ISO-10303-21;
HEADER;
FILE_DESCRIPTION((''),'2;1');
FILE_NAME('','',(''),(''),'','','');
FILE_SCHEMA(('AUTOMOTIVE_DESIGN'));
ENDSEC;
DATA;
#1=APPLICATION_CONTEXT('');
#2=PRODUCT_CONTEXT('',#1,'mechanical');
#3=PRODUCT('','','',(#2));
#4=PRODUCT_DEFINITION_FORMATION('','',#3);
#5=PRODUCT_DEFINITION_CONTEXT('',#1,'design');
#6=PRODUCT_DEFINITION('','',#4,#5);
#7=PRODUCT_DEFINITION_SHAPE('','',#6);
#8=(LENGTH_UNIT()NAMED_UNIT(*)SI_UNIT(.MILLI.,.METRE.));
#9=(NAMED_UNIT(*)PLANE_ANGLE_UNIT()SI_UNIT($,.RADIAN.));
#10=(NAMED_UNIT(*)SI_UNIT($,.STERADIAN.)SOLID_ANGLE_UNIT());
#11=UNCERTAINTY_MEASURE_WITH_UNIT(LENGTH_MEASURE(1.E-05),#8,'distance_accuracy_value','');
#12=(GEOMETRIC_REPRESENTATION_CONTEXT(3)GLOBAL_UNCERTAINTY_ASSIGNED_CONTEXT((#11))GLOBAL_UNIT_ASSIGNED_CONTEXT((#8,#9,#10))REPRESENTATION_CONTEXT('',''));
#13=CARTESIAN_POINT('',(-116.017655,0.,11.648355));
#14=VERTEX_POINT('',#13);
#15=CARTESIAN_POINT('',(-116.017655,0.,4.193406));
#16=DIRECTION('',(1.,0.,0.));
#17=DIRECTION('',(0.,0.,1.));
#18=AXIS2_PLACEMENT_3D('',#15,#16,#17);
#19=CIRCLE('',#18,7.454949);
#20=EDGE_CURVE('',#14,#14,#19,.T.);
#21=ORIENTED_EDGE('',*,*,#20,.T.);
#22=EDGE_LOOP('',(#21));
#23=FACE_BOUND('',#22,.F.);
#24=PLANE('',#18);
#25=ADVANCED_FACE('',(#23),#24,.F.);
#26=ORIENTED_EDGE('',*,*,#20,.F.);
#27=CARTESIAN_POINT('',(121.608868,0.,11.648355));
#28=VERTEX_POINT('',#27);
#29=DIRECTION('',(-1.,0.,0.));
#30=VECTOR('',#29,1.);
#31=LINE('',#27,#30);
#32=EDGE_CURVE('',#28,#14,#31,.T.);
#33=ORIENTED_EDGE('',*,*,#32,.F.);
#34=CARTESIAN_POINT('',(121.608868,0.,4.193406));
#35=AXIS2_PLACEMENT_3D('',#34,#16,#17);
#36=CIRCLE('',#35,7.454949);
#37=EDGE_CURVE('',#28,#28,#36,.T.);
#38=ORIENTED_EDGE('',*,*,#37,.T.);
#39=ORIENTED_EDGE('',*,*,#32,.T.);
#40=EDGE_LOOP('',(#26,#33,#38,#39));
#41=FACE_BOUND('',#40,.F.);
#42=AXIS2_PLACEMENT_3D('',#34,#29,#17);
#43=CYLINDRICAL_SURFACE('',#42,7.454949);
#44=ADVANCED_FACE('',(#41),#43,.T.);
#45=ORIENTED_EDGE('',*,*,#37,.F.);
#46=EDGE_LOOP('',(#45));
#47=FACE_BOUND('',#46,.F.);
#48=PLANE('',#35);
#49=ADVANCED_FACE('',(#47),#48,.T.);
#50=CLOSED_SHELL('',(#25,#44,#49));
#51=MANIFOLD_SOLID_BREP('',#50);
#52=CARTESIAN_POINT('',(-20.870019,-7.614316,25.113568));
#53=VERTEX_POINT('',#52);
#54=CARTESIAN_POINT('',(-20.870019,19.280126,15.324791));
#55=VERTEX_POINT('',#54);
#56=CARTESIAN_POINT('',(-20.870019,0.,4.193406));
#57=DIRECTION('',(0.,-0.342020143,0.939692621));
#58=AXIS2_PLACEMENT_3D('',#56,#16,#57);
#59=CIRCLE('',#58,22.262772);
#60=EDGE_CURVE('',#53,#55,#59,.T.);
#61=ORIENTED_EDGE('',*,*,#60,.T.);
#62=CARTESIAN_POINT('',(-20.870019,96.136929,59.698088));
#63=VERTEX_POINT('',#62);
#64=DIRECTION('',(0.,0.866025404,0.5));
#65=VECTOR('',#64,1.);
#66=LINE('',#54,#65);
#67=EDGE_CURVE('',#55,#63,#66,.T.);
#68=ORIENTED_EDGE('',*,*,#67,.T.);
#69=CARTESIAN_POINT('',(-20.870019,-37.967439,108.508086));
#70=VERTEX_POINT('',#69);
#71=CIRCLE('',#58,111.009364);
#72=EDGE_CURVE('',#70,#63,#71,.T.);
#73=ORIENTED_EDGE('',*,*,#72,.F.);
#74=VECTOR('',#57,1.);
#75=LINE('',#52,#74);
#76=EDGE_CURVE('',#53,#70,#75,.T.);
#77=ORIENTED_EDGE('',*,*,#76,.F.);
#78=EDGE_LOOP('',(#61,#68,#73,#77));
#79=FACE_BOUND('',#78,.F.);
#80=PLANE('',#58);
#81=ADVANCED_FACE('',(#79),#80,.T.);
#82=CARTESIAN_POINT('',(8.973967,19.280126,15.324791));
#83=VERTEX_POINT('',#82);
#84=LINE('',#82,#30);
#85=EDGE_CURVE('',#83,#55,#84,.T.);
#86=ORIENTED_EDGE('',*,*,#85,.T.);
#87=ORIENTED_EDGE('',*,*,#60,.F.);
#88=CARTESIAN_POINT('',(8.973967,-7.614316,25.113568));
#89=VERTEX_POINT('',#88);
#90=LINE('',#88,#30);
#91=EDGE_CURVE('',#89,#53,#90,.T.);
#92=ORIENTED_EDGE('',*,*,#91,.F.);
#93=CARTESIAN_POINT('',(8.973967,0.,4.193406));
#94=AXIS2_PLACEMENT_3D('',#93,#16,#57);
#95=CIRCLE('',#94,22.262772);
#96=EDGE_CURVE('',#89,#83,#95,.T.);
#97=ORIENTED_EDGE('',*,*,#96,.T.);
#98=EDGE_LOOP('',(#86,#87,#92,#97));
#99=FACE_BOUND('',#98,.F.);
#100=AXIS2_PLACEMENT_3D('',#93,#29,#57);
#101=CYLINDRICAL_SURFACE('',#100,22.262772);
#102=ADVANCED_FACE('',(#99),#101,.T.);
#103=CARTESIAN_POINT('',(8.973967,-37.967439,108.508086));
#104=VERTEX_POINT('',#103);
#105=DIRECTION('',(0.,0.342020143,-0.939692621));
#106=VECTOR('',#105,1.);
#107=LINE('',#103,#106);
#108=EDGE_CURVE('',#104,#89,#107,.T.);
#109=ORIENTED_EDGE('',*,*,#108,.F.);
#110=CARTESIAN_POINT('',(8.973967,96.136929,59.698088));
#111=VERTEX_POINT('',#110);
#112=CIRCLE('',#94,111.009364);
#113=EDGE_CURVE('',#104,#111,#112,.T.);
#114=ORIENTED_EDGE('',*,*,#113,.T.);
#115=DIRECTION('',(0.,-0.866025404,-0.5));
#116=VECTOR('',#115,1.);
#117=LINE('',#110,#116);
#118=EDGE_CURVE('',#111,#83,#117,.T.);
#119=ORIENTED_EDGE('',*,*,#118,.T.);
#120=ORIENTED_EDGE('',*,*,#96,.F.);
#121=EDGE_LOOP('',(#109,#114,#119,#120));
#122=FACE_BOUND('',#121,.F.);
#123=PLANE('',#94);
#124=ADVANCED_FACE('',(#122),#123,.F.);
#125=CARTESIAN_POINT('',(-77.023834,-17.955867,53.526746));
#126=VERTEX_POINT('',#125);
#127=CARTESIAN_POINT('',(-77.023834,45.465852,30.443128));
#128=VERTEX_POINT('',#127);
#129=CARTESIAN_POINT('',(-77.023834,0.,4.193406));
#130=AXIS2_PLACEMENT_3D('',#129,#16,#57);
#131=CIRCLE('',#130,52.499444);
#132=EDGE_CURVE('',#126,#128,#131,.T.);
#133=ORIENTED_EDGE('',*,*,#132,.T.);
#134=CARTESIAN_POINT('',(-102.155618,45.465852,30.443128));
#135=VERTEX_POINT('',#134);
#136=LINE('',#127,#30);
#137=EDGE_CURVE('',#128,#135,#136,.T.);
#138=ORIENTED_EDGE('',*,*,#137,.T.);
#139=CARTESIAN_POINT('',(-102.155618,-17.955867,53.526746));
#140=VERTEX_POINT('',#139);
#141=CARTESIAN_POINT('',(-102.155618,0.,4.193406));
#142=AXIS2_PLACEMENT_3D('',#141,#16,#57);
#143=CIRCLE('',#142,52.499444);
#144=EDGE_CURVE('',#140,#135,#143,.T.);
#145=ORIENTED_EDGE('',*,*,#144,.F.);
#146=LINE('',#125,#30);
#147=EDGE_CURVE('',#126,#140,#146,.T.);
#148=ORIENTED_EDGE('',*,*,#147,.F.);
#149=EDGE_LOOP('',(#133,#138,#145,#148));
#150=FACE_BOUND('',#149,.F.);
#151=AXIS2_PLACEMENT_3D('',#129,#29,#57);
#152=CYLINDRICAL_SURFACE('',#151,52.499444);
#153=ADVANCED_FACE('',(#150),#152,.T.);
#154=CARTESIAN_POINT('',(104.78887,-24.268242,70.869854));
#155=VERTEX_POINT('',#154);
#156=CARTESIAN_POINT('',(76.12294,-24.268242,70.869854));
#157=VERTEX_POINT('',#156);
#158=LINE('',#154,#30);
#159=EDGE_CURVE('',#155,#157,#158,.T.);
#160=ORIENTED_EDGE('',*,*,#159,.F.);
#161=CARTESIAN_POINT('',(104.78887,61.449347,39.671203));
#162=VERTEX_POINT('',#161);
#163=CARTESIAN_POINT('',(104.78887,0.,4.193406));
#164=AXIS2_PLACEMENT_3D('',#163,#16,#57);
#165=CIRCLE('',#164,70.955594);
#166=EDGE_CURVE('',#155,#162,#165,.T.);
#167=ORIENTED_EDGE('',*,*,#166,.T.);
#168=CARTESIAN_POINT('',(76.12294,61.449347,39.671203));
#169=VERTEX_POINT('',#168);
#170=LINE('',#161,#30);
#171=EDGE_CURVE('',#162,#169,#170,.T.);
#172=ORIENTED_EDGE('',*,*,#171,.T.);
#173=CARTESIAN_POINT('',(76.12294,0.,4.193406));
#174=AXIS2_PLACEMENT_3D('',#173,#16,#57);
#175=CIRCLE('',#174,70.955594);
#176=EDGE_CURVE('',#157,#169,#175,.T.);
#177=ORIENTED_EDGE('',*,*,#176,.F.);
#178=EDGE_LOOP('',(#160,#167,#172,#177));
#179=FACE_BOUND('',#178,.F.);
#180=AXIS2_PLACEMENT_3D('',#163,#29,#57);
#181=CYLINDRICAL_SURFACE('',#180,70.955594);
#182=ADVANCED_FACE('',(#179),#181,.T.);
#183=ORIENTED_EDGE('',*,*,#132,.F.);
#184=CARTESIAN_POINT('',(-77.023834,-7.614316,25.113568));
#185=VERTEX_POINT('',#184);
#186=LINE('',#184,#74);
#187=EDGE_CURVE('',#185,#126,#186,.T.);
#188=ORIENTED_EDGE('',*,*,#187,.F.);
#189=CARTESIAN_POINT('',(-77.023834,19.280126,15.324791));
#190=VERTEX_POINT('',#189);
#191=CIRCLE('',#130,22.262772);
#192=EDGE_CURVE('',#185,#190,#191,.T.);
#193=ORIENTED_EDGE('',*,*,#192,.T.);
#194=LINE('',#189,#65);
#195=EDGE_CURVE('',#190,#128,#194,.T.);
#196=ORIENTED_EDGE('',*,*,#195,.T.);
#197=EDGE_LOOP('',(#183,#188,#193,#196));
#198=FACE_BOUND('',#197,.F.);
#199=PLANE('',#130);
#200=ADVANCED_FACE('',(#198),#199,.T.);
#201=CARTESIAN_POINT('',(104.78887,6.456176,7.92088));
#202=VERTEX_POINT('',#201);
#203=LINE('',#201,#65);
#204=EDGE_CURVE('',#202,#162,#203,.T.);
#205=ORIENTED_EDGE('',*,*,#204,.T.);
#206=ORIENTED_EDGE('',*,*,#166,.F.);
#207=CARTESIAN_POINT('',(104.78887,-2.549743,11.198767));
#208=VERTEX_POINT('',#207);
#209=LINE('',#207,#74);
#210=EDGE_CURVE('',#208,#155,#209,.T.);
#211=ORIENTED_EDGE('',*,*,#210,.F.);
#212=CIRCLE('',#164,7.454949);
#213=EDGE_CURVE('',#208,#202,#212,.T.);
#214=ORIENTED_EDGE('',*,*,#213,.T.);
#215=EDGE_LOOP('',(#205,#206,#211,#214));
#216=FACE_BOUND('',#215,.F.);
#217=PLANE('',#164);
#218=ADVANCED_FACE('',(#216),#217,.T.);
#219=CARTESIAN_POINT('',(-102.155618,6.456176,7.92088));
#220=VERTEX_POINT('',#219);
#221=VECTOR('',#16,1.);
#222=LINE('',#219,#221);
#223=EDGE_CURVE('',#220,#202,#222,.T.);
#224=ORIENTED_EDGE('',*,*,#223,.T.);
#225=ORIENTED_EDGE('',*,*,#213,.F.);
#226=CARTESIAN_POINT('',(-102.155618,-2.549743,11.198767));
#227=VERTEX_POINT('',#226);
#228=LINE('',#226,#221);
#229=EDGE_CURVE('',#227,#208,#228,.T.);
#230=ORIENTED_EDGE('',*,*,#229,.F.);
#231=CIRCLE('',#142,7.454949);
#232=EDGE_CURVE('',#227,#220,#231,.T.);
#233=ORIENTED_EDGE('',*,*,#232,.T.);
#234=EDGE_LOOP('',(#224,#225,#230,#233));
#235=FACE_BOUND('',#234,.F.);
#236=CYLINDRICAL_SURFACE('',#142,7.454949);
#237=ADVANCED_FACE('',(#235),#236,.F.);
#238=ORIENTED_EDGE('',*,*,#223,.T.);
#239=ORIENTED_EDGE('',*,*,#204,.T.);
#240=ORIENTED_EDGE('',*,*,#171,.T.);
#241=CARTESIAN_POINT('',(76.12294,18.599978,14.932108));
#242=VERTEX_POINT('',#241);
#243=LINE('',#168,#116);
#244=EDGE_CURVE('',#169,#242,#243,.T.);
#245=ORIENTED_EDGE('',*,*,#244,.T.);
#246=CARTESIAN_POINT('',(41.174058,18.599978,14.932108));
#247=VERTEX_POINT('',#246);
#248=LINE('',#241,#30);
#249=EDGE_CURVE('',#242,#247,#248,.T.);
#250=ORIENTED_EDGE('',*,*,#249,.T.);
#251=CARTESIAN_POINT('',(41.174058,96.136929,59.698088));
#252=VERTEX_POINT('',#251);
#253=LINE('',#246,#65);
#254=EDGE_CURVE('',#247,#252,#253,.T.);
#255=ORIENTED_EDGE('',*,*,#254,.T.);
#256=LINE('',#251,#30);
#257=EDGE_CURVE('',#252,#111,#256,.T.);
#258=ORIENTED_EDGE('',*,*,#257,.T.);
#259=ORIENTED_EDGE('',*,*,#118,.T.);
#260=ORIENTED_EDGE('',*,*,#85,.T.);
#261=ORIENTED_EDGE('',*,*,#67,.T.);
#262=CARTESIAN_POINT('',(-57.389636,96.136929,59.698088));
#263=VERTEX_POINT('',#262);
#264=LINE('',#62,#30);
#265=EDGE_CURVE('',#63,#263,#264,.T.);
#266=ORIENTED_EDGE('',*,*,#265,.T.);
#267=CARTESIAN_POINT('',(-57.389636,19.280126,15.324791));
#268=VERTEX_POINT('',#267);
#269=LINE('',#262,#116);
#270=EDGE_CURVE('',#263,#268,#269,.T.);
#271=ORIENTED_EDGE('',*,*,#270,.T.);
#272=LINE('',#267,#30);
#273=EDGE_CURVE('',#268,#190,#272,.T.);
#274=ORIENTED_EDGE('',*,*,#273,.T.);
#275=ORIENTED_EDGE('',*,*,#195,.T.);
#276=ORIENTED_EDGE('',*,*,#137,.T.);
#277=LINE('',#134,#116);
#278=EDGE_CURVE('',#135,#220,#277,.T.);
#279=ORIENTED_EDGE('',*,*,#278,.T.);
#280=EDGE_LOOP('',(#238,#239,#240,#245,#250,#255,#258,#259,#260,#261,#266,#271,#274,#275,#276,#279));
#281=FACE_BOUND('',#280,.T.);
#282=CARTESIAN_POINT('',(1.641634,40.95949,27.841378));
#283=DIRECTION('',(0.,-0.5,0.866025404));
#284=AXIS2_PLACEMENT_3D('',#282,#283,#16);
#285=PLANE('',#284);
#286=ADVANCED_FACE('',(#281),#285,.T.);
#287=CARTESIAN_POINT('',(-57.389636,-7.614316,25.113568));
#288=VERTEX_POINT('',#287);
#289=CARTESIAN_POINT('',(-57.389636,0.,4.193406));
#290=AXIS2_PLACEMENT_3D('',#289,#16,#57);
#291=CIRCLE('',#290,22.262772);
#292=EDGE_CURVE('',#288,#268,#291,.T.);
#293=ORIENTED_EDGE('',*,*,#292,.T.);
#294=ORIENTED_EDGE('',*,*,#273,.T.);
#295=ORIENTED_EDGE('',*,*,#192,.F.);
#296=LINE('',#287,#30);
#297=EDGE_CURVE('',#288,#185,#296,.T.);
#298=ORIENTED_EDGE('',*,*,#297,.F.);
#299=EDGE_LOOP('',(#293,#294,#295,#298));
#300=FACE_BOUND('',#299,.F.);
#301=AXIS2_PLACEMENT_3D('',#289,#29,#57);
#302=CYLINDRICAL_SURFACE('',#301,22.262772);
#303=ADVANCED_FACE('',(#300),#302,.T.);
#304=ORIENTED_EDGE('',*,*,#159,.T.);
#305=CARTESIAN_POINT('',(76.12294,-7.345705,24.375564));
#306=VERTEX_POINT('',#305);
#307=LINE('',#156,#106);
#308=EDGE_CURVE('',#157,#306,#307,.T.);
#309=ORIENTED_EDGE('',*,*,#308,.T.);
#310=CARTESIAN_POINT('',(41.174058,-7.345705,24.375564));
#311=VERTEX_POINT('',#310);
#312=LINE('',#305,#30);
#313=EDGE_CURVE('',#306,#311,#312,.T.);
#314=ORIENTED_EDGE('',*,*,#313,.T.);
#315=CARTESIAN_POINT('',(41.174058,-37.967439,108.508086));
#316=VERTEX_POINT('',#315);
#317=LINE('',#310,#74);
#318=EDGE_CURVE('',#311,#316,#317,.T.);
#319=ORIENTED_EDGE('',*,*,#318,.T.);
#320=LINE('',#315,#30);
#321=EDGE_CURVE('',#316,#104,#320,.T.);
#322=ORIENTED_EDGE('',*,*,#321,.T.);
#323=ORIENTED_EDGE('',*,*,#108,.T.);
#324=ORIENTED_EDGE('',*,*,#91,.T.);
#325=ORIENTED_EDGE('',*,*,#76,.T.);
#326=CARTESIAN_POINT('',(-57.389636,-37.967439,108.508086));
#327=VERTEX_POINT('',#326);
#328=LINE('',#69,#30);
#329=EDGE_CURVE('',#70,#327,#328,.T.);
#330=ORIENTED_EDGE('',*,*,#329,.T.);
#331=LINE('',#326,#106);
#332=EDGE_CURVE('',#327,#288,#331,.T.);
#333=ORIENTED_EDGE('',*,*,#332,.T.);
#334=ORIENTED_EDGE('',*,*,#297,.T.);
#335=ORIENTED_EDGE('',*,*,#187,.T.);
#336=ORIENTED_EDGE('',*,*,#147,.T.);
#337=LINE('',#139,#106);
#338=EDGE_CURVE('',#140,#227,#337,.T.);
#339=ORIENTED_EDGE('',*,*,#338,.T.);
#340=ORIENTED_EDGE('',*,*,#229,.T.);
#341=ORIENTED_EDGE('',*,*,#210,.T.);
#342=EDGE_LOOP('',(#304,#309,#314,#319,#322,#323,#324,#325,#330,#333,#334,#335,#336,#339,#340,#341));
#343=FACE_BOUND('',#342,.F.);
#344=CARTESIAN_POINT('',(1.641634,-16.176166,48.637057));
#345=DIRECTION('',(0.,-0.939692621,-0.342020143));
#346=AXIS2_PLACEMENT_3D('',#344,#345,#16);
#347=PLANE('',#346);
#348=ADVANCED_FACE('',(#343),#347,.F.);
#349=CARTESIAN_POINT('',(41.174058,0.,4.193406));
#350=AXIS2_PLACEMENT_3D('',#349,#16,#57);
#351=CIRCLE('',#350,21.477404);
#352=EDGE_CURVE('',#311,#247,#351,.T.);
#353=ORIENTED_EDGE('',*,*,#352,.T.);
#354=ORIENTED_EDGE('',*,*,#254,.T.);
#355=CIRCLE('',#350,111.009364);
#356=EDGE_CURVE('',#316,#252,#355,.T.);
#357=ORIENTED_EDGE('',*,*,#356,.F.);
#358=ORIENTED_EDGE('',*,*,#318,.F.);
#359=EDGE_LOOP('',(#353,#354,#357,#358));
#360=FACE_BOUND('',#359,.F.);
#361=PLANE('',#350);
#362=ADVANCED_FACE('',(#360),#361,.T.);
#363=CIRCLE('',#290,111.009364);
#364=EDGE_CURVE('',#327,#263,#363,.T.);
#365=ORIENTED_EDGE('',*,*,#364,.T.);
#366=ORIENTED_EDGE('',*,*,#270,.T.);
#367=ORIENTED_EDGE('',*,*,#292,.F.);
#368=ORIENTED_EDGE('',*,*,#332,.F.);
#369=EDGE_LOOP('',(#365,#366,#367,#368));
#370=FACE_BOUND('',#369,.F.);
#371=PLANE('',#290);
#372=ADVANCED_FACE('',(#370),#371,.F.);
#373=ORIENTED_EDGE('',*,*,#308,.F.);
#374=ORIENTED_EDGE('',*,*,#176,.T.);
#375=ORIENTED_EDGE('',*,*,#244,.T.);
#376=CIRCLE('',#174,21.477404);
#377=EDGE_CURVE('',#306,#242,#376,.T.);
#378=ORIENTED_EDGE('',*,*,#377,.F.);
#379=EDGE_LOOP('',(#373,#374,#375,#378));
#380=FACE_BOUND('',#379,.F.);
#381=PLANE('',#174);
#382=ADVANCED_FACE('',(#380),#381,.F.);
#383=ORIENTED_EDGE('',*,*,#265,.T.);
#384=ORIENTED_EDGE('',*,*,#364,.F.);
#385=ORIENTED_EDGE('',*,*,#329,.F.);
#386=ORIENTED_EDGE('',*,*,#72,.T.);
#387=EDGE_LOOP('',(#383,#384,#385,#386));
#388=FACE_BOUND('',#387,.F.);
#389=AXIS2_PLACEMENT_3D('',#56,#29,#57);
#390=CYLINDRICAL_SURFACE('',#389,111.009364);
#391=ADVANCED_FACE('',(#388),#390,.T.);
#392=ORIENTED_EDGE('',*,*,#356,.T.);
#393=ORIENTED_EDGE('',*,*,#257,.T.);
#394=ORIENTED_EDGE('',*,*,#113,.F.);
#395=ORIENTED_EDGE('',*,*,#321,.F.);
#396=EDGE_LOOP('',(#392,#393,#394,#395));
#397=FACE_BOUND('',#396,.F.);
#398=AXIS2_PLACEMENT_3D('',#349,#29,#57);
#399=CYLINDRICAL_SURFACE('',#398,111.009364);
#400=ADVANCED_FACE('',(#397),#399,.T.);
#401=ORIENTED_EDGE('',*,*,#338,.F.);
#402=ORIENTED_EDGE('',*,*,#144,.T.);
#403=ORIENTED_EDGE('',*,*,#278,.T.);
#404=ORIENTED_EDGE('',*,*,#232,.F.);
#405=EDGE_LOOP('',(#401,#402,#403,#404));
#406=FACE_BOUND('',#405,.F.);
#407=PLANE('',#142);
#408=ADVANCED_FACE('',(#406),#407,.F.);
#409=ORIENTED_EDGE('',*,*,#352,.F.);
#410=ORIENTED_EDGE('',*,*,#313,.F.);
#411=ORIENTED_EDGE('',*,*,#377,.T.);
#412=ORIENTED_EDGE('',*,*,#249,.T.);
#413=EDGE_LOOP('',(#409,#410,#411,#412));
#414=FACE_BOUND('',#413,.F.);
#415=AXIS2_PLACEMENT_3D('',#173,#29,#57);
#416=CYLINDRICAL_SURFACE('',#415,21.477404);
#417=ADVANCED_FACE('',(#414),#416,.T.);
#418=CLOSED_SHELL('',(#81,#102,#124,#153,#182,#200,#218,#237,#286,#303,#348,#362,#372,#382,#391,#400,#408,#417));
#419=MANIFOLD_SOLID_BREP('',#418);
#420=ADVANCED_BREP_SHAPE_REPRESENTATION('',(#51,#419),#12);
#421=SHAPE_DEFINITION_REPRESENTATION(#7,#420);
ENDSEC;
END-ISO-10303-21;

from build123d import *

# Parameters (mm, degrees)
F2_ANGLE_START = 20
F2_ANGLE       = 280


with BuildPart() as f1:
    # F0 (on Front) → F1 (revolve)
    with BuildSketch(Plane.XZ):
        Polygon((-102.1556183696, 11.6483550519), (-116.0176545382, 11.6483550519), (-116.0176545382, 4.1934056208), (121.6088682413, 4.1934056208), (121.6088682413, 11.6483550519), (104.7888696194, 11.6483550519), align=None)
    revolve(axis=Axis((2.7956068516, 0, 4.1934056208), (1, 0, 0)))


with BuildPart() as f2:
    # F0 (on Front) → F2 (revolve)
    with BuildSketch(Plane.XZ, mode=Mode.PRIVATE) as f2_sk:
        Polygon((-102.1556183696, 56.6928498447), (-102.1556183696, 11.6483550519), (104.7888696194, 11.6483550519), (104.7888696194, 75.148999691), (76.1229395866, 75.148999691), (76.1229395866, 25.6708096713), (41.1740578711, 25.6708096713), (41.1740578711, 115.2027696371), (8.973967284, 115.2027696371), (8.973967284, 26.4561772346), (-20.8700187504, 26.4561772346), (-20.8700187504, 115.2027696371), (-57.3896355927, 115.2027696371), (-57.3896355927, 26.4561772346), (-77.0238339901, 26.4561772346), (-77.0238339901, 56.6928498447), align=None)
    revolve(f2_sk.sketch.rotate(Axis((-102.1556183696, 0, 4.1934056208), (1, 0, 0)), F2_ANGLE_START), axis=Axis((-102.1556183696, 0, 4.1934056208), (1, 0, 0)), revolution_arc=F2_ANGLE)


solid = Compound([f1.part, f2.part])
